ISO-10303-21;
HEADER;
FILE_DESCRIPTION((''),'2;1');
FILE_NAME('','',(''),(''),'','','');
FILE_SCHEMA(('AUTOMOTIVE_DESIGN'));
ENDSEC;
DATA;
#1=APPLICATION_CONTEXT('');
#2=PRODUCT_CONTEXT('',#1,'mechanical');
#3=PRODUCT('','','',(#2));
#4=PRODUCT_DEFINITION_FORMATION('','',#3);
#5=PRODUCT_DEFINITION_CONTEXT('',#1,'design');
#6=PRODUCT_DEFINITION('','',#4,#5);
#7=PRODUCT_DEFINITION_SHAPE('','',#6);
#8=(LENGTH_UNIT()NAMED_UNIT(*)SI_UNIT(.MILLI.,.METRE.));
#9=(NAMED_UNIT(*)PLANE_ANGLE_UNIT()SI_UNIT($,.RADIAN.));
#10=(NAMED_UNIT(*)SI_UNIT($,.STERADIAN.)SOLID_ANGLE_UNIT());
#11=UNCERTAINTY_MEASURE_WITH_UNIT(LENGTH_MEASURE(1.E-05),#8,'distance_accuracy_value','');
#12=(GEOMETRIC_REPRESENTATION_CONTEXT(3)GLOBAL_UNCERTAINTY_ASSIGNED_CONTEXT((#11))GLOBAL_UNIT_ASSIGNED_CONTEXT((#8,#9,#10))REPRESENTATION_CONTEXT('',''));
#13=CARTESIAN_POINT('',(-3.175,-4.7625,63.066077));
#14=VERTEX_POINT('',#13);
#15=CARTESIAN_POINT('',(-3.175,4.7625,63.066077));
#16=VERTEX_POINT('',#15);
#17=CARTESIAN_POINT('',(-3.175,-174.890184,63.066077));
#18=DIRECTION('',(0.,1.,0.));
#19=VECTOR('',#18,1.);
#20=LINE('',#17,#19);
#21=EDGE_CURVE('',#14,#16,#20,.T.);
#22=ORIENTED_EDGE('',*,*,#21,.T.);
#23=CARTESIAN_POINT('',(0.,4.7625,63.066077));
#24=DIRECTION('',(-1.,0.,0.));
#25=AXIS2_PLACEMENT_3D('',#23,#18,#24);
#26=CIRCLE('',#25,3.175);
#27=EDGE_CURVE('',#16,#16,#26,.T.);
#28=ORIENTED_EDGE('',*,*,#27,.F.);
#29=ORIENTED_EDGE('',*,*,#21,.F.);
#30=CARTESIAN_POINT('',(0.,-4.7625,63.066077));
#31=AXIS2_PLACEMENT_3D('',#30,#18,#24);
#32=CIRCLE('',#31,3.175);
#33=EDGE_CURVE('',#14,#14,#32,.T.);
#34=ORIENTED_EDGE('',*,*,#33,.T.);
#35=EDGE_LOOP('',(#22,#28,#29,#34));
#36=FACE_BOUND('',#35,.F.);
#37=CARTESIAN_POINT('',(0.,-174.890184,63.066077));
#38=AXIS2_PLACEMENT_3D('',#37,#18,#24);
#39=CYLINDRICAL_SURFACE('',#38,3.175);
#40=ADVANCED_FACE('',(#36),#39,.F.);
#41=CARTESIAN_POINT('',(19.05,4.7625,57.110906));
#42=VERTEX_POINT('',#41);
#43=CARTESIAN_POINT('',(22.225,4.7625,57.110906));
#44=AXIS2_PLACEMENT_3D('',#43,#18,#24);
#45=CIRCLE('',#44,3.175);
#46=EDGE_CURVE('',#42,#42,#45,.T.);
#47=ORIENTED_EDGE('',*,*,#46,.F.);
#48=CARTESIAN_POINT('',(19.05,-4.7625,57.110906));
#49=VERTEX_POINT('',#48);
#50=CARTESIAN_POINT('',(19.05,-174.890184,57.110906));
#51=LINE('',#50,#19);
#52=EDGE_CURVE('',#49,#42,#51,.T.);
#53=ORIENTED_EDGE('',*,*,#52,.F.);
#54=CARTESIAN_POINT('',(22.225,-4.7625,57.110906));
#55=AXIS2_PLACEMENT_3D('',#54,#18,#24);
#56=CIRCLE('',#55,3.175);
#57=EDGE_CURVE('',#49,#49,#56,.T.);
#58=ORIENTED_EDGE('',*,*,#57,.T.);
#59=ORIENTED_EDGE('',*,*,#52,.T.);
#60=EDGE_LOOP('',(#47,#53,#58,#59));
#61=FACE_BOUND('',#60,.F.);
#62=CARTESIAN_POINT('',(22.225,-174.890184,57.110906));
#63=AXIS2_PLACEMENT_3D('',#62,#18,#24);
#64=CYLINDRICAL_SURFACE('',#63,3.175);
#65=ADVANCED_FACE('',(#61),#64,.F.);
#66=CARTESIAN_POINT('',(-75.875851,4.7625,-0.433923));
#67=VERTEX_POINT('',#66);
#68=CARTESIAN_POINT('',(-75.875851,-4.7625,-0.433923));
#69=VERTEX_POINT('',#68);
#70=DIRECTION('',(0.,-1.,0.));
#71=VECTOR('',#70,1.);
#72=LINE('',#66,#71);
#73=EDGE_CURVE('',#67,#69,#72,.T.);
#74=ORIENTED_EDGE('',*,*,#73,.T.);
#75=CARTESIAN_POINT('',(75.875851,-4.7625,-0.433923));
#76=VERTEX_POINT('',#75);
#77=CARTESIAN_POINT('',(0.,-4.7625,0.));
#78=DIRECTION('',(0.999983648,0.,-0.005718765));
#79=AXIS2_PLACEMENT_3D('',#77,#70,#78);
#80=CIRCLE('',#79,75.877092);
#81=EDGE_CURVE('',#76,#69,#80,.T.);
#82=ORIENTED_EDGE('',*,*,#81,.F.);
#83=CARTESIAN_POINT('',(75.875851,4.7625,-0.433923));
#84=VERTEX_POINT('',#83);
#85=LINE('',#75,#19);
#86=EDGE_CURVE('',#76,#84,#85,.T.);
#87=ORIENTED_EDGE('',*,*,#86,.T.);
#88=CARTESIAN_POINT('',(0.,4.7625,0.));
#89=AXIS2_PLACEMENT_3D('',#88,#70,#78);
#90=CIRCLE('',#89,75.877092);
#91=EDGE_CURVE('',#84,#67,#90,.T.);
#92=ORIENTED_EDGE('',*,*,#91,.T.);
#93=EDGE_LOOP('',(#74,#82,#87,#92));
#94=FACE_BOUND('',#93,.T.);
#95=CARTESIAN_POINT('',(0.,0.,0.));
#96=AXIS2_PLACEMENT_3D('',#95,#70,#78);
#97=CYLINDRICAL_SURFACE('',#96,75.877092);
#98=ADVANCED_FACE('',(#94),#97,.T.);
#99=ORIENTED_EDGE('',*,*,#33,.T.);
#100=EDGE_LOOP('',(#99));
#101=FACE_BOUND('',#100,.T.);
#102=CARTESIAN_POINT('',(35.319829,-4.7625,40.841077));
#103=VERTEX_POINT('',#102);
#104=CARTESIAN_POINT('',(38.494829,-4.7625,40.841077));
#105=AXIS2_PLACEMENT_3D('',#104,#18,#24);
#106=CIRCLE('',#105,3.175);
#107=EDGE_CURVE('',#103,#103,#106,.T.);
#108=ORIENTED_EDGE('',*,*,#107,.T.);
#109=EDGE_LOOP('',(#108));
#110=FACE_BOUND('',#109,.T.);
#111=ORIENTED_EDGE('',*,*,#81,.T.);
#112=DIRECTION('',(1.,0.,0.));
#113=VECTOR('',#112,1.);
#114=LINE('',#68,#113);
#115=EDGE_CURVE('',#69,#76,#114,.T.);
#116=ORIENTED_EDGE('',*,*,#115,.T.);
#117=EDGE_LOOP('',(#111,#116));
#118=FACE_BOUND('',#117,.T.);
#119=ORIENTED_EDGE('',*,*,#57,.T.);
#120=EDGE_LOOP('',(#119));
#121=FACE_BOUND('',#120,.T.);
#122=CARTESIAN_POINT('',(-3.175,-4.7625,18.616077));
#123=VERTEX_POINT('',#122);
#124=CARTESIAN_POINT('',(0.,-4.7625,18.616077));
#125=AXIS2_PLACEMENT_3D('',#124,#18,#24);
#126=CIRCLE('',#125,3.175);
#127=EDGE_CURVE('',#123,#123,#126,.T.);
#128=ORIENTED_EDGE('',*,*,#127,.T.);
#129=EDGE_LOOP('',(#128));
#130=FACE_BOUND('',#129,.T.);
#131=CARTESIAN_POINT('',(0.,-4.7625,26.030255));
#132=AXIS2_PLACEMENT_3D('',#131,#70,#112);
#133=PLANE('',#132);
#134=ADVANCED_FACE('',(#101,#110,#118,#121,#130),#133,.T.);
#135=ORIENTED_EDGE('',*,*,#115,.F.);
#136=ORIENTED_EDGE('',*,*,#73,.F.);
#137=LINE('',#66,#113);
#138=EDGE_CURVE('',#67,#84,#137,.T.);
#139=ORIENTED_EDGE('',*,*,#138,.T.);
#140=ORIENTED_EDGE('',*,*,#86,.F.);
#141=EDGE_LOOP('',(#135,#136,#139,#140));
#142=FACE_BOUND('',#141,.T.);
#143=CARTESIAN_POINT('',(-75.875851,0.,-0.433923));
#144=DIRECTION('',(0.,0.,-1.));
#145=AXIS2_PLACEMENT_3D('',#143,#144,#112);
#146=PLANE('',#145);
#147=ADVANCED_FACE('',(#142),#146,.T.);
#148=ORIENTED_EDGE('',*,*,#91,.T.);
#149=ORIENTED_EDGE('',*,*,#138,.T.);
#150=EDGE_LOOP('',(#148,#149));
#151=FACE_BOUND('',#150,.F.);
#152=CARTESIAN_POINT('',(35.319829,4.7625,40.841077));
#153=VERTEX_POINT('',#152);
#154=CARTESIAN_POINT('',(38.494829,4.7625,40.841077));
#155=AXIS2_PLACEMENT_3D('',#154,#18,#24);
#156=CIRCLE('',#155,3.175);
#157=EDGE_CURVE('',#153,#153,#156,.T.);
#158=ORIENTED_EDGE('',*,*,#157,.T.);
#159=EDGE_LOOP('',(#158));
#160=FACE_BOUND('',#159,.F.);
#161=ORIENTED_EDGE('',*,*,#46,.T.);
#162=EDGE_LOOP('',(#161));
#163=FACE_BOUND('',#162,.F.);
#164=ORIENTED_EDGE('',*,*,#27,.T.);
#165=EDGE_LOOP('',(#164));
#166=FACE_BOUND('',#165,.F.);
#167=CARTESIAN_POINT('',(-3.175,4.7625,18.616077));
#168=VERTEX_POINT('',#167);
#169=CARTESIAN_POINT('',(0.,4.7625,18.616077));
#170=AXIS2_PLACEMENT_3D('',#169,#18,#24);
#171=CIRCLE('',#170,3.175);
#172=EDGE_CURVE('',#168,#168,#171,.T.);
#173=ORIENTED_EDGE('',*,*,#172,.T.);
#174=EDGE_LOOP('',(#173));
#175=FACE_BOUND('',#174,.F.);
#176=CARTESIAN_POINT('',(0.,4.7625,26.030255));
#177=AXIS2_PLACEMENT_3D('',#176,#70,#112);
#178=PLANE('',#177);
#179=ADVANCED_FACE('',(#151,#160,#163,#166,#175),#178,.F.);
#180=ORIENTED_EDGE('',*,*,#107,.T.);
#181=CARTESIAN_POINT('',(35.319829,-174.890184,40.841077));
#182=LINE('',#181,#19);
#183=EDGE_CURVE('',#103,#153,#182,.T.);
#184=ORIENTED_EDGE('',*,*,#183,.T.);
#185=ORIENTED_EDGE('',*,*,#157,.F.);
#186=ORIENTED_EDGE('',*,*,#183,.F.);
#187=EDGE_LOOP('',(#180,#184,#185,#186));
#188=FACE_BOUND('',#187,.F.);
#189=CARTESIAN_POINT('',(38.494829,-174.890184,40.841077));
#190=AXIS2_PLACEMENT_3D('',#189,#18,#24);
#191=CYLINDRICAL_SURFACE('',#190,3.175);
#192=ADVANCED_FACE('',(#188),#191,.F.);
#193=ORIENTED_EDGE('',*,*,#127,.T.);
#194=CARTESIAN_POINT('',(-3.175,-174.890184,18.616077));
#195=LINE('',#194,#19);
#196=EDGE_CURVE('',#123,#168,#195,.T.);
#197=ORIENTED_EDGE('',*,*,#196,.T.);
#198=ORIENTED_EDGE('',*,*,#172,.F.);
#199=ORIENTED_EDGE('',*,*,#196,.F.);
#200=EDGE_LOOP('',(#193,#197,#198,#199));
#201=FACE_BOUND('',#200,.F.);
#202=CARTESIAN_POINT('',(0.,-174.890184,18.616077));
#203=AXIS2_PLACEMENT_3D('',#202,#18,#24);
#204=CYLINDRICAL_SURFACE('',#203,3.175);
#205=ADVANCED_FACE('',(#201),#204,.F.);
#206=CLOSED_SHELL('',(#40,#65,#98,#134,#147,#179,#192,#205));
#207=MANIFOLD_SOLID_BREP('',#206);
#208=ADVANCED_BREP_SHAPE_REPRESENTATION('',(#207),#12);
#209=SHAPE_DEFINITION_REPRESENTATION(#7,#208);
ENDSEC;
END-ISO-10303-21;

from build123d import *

# Parameters (mm, degrees)
F1_DEPTH = 4.7625
F3_D     = 6.35


with BuildPart() as f1:
    # F0 (on Front) → F1 (new body, symmetric)
    with BuildSketch(Plane.XZ):
        with BuildLine():
            ThreePointArc((75.875851, -0.433923), (0, 75.877092), (-75.875851, -0.433923))
            Line((-75.875851, -0.433923), (75.875851, -0.433923))
        make_face()
    extrude(amount=F1_DEPTH, both=True)

    # F3 (through all)
    with Locations(Plane.XZ.offset(4.7625)):
        with Locations((0, 18.616077), (38.494829, 40.841077), (22.225, 57.110906), (0, 63.066077)):
            Hole(F3_D / 2)


solid = f1.part
